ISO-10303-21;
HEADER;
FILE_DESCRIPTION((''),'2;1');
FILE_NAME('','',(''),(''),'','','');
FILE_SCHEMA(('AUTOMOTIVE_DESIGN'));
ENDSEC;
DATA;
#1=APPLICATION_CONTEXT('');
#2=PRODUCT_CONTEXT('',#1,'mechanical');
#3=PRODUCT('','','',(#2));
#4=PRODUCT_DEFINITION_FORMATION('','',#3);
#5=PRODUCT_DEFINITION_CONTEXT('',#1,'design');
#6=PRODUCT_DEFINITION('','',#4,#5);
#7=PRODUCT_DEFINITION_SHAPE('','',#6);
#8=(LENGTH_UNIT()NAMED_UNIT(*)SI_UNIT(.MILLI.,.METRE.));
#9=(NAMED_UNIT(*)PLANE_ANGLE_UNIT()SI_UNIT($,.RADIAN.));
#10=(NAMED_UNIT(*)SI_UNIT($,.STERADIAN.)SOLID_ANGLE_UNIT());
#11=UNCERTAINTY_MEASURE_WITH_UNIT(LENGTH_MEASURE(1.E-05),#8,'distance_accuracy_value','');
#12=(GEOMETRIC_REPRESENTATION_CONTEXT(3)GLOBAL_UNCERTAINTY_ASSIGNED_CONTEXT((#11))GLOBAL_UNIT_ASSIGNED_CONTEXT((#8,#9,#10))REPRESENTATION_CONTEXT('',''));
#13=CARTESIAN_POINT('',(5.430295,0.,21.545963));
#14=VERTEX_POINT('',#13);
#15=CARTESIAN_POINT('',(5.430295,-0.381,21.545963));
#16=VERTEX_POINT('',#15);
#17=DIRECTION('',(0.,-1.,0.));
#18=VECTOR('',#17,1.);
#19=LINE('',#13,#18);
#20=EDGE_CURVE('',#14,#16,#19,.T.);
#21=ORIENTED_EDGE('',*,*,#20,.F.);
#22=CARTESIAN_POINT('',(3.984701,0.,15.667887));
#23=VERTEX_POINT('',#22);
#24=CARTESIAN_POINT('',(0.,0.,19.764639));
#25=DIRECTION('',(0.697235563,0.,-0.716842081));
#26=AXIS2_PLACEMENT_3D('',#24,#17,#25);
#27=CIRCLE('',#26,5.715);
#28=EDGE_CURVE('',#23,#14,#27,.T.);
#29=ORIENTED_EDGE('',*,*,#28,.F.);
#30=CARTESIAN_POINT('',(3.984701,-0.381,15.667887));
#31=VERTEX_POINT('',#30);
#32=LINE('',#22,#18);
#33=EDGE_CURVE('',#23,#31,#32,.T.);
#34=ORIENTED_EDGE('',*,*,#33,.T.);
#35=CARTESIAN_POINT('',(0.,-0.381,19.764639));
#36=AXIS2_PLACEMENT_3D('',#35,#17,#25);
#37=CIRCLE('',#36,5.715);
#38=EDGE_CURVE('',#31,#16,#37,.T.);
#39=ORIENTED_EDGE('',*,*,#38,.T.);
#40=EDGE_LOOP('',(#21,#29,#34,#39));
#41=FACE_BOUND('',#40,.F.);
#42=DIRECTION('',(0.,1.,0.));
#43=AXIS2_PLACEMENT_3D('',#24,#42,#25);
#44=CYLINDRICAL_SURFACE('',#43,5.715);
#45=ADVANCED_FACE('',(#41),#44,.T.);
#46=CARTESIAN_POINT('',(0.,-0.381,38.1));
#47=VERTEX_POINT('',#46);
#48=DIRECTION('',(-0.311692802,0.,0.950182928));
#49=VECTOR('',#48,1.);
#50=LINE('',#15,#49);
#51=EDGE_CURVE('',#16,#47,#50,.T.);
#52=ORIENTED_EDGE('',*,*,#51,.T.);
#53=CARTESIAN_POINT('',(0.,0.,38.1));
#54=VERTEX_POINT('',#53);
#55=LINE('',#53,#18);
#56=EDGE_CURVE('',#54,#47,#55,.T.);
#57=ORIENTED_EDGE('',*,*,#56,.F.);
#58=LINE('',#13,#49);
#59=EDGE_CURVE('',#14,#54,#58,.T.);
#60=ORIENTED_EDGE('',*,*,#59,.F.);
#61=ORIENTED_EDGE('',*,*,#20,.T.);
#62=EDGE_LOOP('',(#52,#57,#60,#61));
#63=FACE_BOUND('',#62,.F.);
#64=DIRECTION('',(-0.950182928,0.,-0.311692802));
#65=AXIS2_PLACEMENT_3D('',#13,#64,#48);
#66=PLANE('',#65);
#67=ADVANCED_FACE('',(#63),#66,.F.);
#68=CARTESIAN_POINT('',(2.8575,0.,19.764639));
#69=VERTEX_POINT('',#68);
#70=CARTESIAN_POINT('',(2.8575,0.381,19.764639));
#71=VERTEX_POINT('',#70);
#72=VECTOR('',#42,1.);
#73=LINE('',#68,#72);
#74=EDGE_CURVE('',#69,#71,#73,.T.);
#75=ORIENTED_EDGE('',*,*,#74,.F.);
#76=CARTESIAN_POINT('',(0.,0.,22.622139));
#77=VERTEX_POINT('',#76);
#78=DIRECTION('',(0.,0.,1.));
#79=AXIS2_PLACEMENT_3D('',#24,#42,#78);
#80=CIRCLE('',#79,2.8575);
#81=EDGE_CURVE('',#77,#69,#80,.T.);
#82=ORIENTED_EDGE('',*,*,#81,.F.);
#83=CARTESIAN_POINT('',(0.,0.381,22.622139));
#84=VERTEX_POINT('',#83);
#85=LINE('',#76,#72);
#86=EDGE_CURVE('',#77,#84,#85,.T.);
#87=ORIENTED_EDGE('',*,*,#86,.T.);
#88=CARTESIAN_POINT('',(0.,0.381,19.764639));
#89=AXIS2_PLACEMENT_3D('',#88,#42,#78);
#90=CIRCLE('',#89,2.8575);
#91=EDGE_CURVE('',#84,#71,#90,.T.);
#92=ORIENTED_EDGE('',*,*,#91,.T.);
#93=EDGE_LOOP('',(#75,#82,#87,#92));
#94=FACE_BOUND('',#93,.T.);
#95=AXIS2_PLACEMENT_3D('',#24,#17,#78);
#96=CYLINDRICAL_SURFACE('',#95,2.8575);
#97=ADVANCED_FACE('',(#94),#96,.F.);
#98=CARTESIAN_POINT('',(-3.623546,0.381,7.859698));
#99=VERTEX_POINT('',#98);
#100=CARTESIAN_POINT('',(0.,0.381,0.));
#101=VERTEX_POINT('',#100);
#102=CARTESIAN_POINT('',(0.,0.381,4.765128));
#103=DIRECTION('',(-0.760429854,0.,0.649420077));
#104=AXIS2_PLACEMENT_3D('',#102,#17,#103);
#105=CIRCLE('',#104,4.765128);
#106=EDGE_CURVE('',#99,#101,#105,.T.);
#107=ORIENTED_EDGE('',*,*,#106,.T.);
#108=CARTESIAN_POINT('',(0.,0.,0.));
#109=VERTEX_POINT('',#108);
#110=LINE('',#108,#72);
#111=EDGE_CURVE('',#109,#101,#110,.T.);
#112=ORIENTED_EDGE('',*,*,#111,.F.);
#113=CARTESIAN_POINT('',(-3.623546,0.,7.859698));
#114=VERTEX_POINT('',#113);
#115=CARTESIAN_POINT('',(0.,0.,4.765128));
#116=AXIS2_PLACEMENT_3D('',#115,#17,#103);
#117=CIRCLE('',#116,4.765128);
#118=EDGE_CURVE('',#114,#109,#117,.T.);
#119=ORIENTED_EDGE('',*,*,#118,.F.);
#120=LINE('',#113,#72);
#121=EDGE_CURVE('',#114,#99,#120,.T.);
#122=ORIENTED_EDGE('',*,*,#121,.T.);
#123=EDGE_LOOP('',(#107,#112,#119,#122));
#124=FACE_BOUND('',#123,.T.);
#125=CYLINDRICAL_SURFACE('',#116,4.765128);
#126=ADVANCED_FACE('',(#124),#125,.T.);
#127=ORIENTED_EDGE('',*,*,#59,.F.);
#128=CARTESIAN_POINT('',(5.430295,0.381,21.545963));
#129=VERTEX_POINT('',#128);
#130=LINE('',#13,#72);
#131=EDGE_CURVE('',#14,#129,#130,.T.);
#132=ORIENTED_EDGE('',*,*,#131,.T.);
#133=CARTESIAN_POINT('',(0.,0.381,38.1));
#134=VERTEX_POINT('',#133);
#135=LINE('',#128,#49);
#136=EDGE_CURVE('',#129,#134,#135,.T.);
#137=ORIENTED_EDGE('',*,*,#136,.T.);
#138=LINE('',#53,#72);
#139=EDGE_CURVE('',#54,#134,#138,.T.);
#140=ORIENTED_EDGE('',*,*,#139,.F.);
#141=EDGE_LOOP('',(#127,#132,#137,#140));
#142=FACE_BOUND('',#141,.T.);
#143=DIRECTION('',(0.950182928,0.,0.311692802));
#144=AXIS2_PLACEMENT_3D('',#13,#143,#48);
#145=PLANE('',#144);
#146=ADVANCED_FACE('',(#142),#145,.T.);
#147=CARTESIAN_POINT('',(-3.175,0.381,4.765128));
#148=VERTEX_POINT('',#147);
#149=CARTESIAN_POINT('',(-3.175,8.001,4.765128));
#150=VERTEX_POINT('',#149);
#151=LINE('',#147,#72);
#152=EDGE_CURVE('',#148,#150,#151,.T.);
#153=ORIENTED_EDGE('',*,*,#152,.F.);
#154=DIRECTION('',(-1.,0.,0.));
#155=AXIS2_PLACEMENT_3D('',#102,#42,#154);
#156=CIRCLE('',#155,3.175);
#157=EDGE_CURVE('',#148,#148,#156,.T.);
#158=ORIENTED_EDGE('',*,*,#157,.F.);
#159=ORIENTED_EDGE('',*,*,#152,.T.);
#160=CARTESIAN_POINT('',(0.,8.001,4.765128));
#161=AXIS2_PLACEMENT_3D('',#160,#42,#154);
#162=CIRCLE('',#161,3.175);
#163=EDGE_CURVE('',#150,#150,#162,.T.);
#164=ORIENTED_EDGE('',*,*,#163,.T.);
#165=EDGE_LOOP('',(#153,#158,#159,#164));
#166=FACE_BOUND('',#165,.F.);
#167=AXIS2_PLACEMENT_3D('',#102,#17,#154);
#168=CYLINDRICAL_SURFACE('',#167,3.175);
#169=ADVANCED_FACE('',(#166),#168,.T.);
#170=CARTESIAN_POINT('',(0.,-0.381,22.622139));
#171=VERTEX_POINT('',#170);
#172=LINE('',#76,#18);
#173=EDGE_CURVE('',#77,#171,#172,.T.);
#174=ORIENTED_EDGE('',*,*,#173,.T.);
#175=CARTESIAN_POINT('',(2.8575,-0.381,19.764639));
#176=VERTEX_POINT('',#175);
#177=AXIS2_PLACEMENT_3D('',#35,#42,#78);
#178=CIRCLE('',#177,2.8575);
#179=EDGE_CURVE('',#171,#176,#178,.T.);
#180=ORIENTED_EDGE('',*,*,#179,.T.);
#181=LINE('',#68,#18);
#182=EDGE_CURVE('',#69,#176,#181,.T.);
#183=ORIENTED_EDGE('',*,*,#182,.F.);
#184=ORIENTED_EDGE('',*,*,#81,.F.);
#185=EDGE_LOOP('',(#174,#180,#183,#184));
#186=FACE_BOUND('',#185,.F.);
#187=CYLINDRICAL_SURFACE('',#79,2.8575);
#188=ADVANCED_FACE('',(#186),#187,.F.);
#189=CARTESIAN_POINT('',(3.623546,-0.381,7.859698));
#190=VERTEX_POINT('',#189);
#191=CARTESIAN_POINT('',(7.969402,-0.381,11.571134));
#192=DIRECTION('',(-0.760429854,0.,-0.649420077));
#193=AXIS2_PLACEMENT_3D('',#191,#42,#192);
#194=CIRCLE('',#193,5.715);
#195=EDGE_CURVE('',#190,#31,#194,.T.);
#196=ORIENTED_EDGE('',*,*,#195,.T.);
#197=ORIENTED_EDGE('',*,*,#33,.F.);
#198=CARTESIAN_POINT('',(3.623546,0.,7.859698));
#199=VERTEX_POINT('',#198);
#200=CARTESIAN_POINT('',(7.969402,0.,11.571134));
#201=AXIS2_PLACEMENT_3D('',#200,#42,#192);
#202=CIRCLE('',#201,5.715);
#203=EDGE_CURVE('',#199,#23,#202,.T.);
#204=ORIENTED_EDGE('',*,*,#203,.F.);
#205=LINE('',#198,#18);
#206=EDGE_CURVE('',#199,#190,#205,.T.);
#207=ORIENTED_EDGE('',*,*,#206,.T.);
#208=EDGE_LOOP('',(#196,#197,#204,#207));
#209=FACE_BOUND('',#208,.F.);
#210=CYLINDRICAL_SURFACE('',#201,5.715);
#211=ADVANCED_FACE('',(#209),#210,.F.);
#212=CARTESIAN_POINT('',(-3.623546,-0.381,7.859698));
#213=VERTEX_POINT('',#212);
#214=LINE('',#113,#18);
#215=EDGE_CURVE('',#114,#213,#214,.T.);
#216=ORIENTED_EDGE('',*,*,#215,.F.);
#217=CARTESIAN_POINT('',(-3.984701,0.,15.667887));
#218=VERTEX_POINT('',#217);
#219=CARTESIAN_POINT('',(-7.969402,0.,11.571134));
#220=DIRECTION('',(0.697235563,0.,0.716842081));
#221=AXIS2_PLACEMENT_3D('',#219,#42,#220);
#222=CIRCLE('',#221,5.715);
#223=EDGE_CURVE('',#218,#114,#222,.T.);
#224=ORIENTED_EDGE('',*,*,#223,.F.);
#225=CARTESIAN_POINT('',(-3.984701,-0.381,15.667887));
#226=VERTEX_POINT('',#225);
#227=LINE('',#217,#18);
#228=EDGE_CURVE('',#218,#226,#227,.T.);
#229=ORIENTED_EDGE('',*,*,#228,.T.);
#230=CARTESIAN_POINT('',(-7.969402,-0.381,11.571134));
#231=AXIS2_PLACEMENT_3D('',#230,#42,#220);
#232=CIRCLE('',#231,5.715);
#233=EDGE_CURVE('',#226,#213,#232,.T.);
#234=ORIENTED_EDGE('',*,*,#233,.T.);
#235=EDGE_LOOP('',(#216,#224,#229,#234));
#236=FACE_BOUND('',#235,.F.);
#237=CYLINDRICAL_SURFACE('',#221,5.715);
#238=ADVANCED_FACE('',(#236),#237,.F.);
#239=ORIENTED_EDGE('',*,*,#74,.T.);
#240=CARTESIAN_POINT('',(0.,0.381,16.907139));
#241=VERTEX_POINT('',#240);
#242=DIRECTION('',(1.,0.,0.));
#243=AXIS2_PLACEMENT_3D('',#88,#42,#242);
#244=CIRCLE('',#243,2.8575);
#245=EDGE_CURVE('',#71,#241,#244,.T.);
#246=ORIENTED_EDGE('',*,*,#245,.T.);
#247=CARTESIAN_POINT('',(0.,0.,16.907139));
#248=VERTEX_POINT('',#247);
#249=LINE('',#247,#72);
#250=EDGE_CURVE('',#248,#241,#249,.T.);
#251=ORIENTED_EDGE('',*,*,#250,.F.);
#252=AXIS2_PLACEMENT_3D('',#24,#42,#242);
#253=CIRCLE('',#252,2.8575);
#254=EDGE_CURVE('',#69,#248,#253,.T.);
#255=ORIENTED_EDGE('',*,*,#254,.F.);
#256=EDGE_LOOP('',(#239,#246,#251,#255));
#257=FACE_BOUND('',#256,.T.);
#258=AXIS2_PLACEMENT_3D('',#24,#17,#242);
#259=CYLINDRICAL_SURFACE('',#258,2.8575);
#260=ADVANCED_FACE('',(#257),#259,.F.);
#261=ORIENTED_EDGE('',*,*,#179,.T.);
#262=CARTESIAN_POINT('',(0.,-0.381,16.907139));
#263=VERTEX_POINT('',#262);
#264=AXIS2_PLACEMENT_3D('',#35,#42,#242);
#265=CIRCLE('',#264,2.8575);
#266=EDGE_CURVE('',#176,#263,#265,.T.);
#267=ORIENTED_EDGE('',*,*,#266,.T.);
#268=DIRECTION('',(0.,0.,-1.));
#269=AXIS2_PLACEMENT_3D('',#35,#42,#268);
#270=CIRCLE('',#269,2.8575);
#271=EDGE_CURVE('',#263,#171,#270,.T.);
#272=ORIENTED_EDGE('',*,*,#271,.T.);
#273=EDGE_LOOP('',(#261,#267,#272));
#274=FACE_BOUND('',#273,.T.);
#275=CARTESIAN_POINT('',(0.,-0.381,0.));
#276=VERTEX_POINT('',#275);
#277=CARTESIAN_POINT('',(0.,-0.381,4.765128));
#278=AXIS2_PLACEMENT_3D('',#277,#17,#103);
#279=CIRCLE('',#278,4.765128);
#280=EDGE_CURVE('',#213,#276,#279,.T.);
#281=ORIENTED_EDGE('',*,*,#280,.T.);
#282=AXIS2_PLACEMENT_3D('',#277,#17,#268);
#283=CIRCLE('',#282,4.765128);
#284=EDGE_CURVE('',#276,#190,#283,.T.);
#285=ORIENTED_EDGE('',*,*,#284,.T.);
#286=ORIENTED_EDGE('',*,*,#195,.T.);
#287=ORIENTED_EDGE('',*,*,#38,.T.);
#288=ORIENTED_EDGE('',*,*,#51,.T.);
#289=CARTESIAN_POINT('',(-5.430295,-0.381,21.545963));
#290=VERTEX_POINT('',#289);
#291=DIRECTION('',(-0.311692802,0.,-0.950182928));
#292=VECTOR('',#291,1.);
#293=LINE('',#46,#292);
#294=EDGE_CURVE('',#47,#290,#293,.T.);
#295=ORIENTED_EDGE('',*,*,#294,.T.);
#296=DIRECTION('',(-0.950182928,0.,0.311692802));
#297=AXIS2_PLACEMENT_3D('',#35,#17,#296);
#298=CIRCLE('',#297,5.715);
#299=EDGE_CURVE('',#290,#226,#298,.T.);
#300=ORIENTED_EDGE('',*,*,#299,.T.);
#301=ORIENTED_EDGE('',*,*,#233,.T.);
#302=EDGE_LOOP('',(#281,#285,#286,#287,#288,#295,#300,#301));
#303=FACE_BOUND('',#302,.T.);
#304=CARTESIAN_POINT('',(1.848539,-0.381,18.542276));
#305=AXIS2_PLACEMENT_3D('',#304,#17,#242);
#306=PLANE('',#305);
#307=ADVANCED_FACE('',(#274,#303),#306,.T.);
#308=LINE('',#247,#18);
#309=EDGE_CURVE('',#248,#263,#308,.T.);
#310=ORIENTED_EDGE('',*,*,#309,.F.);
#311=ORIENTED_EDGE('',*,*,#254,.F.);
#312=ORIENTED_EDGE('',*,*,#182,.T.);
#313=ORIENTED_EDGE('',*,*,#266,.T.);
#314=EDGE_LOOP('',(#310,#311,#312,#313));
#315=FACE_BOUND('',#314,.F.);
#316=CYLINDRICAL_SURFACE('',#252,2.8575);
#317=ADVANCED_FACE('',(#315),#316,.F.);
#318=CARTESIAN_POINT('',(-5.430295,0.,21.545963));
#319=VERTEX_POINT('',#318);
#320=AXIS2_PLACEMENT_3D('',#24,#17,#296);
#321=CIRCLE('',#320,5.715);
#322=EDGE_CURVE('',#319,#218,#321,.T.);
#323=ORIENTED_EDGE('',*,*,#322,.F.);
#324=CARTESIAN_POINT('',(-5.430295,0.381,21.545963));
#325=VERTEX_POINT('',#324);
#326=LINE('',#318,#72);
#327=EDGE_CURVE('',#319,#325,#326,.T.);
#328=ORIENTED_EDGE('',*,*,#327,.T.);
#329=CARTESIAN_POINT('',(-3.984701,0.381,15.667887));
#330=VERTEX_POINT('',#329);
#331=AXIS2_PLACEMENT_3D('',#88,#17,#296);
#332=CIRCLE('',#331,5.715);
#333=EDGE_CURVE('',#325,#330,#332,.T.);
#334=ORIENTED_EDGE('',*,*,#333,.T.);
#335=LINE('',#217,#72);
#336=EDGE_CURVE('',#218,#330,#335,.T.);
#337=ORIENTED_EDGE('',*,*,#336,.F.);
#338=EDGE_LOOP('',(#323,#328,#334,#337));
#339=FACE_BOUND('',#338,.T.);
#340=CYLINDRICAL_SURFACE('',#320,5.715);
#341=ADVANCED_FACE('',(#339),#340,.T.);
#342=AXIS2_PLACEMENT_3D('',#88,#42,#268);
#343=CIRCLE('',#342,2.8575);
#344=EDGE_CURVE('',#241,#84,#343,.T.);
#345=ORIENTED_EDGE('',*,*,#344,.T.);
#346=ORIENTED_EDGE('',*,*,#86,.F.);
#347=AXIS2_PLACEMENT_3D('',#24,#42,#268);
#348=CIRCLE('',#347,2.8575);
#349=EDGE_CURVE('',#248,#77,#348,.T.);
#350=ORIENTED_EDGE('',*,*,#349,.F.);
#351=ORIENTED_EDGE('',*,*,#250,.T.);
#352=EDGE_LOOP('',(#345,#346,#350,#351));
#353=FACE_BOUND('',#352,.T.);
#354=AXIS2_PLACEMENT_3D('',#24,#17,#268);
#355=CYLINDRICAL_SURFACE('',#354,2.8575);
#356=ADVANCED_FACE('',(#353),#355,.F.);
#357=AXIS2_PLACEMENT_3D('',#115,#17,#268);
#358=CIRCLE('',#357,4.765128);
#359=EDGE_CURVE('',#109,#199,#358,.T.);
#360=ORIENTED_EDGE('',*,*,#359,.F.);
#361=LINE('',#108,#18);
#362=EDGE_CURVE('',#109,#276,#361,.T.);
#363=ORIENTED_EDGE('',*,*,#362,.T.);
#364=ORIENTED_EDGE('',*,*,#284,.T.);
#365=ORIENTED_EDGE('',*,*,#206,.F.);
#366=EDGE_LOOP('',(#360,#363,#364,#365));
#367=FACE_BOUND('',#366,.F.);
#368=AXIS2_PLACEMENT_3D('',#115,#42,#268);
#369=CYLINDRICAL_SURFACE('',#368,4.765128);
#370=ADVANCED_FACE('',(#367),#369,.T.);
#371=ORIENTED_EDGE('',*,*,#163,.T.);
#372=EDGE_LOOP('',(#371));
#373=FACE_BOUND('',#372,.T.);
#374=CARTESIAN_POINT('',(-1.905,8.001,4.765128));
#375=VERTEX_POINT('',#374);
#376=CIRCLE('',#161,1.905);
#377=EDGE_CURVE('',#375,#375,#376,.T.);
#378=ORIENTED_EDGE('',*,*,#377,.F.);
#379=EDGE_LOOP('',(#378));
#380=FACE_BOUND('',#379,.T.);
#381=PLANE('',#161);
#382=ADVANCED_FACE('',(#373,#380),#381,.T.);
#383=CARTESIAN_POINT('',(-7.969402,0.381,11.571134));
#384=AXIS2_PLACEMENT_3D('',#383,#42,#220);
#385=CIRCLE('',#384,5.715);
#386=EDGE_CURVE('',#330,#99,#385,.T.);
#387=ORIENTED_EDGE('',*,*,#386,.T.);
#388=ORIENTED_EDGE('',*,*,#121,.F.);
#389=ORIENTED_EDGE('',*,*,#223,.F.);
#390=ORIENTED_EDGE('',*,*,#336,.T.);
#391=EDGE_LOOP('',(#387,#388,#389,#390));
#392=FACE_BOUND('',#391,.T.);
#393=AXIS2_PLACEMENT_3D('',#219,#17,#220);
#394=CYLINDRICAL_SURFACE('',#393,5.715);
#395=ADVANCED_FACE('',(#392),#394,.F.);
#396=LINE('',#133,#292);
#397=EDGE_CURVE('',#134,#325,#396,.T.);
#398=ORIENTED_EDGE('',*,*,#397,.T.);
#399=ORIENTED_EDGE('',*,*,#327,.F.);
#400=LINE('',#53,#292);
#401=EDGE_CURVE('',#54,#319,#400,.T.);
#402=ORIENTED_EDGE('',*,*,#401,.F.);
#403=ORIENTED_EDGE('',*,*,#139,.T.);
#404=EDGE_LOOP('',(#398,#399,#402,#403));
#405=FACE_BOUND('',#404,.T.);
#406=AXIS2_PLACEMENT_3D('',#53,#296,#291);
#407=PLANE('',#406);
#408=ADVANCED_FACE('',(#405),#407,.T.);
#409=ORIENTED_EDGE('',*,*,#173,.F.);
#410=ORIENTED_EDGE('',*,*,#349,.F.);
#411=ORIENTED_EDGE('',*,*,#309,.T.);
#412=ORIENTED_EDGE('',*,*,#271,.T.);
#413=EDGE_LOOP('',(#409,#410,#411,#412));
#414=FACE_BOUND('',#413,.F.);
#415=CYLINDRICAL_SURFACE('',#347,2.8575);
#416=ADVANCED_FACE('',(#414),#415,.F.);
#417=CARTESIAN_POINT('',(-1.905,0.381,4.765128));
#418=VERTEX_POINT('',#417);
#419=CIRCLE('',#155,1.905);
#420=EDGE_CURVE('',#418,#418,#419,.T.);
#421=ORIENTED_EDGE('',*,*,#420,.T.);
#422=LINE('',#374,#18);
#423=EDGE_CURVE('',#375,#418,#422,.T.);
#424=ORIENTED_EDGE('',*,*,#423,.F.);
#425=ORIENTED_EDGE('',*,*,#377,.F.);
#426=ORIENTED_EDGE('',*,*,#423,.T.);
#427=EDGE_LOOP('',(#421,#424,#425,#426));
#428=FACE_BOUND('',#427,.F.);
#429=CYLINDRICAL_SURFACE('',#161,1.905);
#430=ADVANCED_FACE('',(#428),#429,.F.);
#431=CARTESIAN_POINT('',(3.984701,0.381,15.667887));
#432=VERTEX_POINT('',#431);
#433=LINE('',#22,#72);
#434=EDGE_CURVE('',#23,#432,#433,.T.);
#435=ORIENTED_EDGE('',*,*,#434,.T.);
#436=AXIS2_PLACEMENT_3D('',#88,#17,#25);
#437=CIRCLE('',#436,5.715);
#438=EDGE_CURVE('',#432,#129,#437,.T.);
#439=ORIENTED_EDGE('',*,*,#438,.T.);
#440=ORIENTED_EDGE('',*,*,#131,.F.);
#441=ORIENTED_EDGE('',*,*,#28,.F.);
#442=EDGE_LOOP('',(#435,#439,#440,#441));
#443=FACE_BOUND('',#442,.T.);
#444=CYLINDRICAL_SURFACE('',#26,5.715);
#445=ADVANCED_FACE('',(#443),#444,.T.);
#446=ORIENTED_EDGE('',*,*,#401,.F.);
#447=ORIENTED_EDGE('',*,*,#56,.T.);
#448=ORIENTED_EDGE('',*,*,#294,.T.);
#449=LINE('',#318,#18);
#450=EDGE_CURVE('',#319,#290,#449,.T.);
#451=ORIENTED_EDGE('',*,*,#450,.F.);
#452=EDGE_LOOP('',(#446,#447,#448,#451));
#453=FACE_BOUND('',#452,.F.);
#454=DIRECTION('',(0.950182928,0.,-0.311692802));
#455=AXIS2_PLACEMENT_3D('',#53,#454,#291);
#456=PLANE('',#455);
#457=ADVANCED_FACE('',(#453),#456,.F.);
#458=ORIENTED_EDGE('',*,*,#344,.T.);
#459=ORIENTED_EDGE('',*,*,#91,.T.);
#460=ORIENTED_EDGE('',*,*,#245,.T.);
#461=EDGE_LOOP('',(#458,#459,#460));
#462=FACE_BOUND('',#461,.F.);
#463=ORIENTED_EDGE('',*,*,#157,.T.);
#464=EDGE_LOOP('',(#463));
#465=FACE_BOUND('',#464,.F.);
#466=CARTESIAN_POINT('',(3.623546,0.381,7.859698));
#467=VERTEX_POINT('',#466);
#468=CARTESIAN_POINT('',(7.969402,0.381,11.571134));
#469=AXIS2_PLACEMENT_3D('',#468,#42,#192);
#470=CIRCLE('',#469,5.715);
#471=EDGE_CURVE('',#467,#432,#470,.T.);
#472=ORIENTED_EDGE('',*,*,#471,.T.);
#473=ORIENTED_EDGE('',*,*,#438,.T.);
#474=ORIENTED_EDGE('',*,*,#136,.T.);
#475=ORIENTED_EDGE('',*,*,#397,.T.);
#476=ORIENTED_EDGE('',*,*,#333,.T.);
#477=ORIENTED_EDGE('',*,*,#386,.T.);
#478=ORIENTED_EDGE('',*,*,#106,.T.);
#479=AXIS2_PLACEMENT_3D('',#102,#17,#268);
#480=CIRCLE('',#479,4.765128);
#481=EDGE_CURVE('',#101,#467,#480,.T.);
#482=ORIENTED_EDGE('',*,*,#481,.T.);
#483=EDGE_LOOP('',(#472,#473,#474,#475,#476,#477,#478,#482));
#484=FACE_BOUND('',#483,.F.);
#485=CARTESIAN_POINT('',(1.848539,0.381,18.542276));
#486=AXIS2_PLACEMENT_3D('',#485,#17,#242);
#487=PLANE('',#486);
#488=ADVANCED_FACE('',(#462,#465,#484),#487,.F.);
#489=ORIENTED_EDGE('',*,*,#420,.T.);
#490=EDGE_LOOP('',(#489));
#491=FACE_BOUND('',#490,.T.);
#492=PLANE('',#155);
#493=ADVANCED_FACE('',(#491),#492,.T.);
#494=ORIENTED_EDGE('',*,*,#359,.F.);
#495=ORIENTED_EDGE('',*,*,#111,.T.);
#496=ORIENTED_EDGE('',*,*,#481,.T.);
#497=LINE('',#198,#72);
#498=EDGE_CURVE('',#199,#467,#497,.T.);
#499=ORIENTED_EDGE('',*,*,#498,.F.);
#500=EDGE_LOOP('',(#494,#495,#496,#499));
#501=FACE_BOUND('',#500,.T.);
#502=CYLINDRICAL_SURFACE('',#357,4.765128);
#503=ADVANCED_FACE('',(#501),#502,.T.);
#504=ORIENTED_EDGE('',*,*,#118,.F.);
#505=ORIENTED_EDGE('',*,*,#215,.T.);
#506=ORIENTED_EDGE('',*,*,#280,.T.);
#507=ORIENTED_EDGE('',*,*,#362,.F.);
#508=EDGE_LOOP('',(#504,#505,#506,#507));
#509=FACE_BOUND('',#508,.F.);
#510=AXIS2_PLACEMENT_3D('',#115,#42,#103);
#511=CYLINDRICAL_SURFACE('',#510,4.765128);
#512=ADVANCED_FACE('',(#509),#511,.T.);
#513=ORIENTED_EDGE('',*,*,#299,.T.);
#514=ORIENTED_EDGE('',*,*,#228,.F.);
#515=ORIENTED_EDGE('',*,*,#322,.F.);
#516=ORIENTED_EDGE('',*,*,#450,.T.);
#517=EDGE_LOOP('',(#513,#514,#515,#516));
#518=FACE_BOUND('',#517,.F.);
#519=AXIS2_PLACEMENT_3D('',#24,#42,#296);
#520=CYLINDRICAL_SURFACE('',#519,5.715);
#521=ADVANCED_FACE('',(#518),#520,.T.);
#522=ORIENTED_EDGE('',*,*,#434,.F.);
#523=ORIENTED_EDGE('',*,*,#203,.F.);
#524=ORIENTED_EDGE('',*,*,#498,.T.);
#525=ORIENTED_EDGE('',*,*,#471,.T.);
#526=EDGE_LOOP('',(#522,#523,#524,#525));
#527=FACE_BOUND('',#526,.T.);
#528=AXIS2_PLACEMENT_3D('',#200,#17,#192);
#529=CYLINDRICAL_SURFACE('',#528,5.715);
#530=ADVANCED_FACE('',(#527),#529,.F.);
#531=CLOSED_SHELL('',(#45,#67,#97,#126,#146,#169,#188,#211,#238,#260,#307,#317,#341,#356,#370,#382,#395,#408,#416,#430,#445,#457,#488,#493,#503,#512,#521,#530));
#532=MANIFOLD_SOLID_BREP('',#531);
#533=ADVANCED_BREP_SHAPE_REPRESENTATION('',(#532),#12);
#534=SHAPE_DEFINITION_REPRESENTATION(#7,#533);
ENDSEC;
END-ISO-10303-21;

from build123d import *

# Parameters (mm, degrees)
F1_DEPTH = 0.381
F2_R     = 3.175
F3_DEPTH = 7.62
F4_R     = 1.905
F5_DEPTH = 7.62


with BuildPart() as f1:
    # F0 (on Front) → F1 (new body, symmetric)
    with BuildSketch(Plane.XZ):
        with BuildLine():
            Line((0, 16.9071391262), (0, 0))
            ThreePointArc((0, 0), (4.3273821072, 2.7700813861), (3.623545871, 7.8596983992))
            ThreePointArc((3.623545871, 7.8596983992), (2.2605059715, 11.8351901014), (3.9847012446, 15.6678866329))
            ThreePointArc((3.9847012446, 15.6678866329), (5.5496385017, 18.3998177093), (5.4302954357, 21.5459634876))
            Line((5.4302954357, 21.5459634876), (0, 38.1))
            Line((0, 38.1), (0, 22.6221391262))
            ThreePointArc((0, 22.6221391262), (2.0205576272, 21.7851967534), (2.8575, 19.7646391262))
            ThreePointArc((2.8575, 19.7646391262), (2.0205576272, 17.744081499), (0, 16.9071391262))
        make_face()
        with BuildLine():
            ThreePointArc((-3.623545871, 7.8596983992), (-4.3273821072, 2.7700813861), (0, 0))
            Line((0, 0), (0, 16.9071391262))
            ThreePointArc((0, 16.9071391262), (-2.8575, 19.7646391262), (0, 22.6221391262))
            Line((0, 22.6221391262), (0, 38.1))
            Line((0, 38.1), (-5.4302954357, 21.5459634876))
            ThreePointArc((-5.4302954357, 21.5459634876), (-5.5496385017, 18.3998177093), (-3.9847012446, 15.6678866329))
            ThreePointArc((-3.9847012446, 15.6678866329), (-2.2605059715, 11.8351901014), (-3.623545871, 7.8596983992))
        make_face()
    extrude(amount=F1_DEPTH, both=True)

    # F2 (on face) → F3 (join)
    with BuildSketch(Plane(origin=(0, 0.381, 0), x_dir=(-1, 0, 0), z_dir=(0, 1, 0))):
        with Locations((0, 4.7651283676)):
            Circle(F2_R)
    extrude(amount=F3_DEPTH)

    # F4 (on face) → F5 (cut)
    with BuildSketch(Plane(origin=(0, 8.001, 0), x_dir=(-1, 0, 0), z_dir=(0, 1, 0))):
        with Locations((0, 4.7651283676)):
            Circle(F4_R)
    extrude(amount=-F5_DEPTH, mode=Mode.SUBTRACT)


solid = f1.part
